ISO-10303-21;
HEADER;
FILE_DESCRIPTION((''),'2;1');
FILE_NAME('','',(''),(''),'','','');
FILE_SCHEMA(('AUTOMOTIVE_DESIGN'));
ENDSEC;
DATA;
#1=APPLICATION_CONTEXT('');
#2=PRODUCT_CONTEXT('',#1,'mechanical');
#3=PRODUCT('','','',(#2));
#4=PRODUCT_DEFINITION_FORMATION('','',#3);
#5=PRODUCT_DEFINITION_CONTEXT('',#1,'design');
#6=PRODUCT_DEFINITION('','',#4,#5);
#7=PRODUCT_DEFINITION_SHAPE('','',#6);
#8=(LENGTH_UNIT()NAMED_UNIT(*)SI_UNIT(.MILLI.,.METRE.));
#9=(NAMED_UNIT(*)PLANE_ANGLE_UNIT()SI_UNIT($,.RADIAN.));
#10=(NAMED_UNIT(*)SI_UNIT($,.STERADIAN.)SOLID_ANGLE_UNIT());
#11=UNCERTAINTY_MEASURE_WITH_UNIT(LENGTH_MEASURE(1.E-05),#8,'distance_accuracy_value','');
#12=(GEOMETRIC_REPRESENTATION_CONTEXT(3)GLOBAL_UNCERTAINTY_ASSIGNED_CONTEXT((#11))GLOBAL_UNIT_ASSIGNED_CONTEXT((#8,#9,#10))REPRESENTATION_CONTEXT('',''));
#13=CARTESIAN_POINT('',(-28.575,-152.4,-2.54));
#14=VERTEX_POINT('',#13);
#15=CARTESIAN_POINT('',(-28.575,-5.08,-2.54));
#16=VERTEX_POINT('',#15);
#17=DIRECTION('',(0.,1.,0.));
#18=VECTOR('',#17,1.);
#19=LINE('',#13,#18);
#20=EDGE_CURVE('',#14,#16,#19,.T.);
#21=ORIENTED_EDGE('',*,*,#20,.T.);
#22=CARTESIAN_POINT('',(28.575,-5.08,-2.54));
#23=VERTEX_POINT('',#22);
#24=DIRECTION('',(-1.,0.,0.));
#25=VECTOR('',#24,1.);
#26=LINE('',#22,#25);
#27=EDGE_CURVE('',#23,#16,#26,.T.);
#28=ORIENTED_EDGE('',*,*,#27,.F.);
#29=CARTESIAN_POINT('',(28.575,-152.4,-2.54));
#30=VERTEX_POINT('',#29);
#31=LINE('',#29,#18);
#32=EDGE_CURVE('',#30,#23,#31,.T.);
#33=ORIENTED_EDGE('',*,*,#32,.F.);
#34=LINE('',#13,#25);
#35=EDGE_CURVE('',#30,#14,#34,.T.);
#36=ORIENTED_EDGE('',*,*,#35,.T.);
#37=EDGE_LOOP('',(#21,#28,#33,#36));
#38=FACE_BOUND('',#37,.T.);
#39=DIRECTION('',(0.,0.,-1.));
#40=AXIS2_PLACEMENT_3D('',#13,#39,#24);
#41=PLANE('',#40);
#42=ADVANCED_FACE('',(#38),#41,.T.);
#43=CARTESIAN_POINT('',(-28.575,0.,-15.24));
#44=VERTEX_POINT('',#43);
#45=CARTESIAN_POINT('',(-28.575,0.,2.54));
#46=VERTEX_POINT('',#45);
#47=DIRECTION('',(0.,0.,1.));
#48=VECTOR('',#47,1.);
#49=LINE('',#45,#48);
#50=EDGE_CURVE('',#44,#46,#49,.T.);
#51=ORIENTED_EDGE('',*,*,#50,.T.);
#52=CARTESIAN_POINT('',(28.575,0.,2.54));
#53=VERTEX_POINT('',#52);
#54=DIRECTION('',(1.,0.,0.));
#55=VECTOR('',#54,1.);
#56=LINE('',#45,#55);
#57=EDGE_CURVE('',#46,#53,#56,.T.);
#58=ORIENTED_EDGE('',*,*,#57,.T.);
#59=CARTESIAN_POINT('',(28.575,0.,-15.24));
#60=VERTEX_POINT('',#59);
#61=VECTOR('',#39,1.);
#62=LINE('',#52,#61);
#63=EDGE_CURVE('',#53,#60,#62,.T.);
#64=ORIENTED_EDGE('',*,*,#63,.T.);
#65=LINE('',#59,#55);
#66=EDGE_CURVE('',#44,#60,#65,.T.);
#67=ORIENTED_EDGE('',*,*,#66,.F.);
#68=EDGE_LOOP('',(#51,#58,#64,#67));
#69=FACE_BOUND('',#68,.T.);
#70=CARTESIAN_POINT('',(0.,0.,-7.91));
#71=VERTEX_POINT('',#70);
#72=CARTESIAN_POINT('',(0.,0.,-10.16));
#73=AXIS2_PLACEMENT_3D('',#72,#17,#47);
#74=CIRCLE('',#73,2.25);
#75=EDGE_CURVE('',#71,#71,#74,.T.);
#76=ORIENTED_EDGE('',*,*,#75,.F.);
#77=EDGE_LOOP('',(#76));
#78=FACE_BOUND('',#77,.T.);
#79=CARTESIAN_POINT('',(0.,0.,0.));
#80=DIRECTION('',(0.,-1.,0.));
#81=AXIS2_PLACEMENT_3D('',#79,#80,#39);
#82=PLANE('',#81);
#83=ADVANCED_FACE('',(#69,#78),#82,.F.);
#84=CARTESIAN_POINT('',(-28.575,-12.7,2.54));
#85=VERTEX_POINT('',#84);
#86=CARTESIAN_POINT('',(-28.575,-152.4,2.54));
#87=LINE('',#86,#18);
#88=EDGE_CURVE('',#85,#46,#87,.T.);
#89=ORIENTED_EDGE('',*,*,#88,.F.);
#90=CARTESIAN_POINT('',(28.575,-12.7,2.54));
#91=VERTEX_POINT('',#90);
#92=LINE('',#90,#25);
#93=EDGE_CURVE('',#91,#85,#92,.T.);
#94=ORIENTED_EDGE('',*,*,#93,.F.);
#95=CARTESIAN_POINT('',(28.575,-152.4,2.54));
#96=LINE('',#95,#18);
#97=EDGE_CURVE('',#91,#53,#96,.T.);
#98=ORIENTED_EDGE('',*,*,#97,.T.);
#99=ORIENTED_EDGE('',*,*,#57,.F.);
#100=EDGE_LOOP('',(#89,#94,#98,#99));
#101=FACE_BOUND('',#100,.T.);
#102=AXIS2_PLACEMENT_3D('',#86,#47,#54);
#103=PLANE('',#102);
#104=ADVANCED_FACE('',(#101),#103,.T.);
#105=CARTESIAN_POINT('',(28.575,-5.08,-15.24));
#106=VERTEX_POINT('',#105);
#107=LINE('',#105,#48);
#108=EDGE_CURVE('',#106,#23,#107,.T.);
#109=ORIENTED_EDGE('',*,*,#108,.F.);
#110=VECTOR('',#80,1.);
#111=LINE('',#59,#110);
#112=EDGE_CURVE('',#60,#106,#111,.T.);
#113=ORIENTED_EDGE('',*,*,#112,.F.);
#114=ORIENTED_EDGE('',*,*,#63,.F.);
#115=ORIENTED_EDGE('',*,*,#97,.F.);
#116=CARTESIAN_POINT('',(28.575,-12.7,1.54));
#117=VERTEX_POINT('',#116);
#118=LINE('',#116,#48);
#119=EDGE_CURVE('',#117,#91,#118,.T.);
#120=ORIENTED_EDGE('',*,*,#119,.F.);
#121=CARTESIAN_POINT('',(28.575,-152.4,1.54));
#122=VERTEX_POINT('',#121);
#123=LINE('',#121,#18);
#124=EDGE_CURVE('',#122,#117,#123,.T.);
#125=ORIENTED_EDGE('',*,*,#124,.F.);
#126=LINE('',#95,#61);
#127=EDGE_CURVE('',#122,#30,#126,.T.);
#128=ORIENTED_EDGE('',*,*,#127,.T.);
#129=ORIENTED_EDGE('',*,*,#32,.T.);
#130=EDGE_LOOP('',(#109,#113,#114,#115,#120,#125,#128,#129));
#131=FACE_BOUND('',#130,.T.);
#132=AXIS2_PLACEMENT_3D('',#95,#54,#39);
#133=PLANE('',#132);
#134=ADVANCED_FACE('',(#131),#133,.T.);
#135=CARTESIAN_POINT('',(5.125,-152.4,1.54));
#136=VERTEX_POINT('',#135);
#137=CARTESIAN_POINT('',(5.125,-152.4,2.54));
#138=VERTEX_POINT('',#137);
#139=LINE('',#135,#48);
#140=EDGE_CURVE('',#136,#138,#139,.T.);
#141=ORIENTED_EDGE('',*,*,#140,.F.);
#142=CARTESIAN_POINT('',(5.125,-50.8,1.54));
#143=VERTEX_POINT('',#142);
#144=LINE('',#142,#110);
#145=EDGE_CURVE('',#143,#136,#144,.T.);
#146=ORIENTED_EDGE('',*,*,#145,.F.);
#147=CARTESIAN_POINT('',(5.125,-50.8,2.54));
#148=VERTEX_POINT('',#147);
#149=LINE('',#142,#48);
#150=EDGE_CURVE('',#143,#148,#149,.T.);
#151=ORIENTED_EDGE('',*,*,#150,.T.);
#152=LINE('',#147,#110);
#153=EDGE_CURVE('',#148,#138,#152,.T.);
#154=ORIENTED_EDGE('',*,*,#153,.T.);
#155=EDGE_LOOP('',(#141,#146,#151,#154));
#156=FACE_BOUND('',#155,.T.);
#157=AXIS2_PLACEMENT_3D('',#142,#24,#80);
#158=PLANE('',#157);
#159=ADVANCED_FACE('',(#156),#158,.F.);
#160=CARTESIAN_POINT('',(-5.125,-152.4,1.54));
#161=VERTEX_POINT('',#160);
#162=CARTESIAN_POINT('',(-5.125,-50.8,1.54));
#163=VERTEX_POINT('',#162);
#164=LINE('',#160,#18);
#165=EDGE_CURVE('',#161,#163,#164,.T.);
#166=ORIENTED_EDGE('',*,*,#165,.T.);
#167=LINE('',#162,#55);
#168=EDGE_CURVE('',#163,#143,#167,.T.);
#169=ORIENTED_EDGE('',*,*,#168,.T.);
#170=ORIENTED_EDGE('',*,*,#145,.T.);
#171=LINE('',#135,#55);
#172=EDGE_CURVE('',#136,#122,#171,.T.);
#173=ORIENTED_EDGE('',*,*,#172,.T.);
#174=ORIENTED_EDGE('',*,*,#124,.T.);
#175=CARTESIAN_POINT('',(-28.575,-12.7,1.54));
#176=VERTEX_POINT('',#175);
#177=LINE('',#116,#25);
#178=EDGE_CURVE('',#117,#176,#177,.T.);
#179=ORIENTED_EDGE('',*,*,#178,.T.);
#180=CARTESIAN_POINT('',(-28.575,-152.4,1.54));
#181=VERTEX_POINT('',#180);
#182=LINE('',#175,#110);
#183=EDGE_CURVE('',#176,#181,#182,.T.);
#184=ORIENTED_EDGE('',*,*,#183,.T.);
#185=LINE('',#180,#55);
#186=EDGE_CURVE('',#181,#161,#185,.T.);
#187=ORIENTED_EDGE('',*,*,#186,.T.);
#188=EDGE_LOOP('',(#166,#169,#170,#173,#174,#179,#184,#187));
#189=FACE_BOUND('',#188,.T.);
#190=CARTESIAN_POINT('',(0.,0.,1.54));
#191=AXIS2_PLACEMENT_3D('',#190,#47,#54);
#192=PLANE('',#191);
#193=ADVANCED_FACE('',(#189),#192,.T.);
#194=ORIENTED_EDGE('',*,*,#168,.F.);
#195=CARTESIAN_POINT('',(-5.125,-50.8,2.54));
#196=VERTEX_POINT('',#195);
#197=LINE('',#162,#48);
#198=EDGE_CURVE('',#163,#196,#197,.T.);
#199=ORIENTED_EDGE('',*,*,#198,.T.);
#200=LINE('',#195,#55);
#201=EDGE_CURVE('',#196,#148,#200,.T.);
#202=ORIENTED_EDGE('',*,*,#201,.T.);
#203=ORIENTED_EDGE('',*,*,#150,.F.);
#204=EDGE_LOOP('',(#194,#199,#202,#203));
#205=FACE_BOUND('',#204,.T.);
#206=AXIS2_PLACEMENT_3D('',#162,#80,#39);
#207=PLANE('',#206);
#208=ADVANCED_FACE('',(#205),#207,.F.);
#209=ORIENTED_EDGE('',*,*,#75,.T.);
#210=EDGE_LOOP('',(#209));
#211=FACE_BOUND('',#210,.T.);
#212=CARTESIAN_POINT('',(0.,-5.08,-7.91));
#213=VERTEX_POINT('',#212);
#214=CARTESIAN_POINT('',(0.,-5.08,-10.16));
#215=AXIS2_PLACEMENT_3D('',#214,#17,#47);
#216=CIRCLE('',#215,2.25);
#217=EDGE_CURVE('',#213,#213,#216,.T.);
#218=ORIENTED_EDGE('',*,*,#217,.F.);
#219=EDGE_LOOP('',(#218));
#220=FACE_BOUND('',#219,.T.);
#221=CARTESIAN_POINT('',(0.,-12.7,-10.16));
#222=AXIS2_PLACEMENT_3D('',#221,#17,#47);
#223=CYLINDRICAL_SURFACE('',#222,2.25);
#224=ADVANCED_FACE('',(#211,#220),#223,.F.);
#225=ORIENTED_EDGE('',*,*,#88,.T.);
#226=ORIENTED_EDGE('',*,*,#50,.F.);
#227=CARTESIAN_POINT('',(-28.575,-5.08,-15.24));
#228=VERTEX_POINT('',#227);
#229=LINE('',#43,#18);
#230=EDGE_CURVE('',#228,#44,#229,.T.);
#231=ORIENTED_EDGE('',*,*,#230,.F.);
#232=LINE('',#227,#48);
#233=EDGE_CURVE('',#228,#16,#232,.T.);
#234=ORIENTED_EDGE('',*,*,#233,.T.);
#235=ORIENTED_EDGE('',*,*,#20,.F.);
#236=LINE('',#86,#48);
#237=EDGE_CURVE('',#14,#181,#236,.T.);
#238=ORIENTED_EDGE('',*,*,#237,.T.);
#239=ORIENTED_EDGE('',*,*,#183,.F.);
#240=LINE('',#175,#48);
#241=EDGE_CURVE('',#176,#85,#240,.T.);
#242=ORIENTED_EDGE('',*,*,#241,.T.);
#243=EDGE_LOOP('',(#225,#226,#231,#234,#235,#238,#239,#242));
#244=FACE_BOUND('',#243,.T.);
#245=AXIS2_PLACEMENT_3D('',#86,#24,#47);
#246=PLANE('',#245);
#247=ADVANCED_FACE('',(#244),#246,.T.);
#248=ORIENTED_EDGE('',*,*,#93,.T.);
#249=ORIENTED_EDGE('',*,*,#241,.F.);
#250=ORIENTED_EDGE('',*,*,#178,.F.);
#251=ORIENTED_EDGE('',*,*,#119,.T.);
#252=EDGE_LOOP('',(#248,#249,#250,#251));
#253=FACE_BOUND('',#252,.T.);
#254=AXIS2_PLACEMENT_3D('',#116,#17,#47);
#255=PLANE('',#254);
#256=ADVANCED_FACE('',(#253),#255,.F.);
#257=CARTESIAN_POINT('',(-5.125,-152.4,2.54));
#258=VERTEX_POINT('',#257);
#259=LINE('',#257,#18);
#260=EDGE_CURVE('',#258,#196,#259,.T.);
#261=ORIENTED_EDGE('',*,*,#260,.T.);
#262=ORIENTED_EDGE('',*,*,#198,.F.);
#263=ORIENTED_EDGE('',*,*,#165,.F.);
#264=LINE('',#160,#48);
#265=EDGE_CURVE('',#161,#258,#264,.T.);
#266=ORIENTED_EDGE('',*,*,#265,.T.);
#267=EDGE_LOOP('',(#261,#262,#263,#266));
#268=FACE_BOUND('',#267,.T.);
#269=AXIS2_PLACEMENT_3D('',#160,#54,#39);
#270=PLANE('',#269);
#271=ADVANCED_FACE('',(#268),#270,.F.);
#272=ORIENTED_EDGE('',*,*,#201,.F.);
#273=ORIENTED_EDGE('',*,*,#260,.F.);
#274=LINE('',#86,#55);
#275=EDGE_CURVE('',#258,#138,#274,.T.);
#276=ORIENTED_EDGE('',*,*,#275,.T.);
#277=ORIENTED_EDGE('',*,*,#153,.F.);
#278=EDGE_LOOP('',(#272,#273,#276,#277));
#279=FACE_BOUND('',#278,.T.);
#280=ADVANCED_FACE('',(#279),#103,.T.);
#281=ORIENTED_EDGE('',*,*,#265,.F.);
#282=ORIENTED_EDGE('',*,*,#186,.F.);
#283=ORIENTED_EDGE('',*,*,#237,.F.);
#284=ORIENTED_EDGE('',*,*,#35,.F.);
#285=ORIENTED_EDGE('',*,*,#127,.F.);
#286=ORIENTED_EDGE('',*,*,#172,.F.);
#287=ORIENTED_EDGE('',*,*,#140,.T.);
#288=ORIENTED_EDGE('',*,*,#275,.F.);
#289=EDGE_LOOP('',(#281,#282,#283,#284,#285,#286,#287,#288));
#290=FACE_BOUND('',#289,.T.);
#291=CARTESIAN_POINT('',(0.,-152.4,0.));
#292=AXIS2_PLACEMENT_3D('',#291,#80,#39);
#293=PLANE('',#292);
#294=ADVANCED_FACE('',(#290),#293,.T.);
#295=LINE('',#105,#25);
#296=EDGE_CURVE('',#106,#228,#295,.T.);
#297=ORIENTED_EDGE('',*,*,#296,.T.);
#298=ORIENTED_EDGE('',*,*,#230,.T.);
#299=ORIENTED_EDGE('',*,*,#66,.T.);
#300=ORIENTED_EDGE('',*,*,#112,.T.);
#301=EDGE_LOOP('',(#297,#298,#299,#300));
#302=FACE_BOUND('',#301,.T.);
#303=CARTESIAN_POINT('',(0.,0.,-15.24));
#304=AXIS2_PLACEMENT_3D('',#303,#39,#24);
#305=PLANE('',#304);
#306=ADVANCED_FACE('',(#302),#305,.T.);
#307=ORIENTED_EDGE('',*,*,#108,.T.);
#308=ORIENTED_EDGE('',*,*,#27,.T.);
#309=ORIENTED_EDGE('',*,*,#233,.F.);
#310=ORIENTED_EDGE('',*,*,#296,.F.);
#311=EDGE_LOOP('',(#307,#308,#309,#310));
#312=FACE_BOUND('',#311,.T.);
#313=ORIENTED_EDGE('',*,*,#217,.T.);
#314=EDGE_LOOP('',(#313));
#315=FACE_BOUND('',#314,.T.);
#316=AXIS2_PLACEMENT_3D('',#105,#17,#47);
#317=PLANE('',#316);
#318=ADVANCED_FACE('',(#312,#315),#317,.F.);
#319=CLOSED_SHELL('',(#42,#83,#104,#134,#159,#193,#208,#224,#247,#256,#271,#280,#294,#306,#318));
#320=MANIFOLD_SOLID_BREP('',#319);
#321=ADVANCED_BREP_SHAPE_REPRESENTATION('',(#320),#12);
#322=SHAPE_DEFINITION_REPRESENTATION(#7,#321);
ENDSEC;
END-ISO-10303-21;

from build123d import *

# Parameters (mm, degrees)
SKETCH1_W           = 57.15
SKETCH1_H           = 5.08
BOSS_EXTRUDE1_DEPTH = 152.4
CUT_EXTRUDE1_DEPTH  = 1
SKETCH3_W           = 57.15
SKETCH3_H           = 5.08
BOSS_EXTRUDE2_DEPTH = 12.7
SKETCH4_R           = 2.25
CUT_EXTRUDE2_DEPTH  = 12.7


with BuildPart() as part:
    # Sketch1 → Boss-Extrude1 (new body)
    with BuildSketch(Plane(origin=(0, 0, 0), x_dir=(1, 0, 0), z_dir=(0, 1, 0))):
        Rectangle(SKETCH1_W, SKETCH1_H)
    extrude(amount=-BOSS_EXTRUDE1_DEPTH)

    # Sketch2 → Cut-Extrude1 (cut)
    with BuildSketch(Plane.XY.offset(2.54)):
        Polygon((-5.125, -152.4), (-5.125, -50.8), (5.125, -50.8), (5.125, -152.4), (28.575, -152.4), (28.575, -12.7), (-28.575, -12.7), (-28.575, -152.4), align=None)
    extrude(amount=-CUT_EXTRUDE1_DEPTH, mode=Mode.SUBTRACT)

    # Sketch3 → Boss-Extrude2 (add)
    with BuildSketch(Plane(origin=(0, 0, -2.54), x_dir=(-1, 0, 0), z_dir=(0, 0, -1))):
        with Locations((0, -2.54)):
            Rectangle(SKETCH3_W, SKETCH3_H)
    extrude(amount=BOSS_EXTRUDE2_DEPTH)

    # Sketch4 → Cut-Extrude2 (cut)
    with BuildSketch(Plane(origin=(0, 0, 0), x_dir=(1, 0, 0), z_dir=(0, 1, 0))):
        with Locations(Location((0, 10.16, 0), (0, 0, 270))):
            Circle(SKETCH4_R)
    extrude(amount=-CUT_EXTRUDE2_DEPTH, mode=Mode.SUBTRACT)


solid = part.part
